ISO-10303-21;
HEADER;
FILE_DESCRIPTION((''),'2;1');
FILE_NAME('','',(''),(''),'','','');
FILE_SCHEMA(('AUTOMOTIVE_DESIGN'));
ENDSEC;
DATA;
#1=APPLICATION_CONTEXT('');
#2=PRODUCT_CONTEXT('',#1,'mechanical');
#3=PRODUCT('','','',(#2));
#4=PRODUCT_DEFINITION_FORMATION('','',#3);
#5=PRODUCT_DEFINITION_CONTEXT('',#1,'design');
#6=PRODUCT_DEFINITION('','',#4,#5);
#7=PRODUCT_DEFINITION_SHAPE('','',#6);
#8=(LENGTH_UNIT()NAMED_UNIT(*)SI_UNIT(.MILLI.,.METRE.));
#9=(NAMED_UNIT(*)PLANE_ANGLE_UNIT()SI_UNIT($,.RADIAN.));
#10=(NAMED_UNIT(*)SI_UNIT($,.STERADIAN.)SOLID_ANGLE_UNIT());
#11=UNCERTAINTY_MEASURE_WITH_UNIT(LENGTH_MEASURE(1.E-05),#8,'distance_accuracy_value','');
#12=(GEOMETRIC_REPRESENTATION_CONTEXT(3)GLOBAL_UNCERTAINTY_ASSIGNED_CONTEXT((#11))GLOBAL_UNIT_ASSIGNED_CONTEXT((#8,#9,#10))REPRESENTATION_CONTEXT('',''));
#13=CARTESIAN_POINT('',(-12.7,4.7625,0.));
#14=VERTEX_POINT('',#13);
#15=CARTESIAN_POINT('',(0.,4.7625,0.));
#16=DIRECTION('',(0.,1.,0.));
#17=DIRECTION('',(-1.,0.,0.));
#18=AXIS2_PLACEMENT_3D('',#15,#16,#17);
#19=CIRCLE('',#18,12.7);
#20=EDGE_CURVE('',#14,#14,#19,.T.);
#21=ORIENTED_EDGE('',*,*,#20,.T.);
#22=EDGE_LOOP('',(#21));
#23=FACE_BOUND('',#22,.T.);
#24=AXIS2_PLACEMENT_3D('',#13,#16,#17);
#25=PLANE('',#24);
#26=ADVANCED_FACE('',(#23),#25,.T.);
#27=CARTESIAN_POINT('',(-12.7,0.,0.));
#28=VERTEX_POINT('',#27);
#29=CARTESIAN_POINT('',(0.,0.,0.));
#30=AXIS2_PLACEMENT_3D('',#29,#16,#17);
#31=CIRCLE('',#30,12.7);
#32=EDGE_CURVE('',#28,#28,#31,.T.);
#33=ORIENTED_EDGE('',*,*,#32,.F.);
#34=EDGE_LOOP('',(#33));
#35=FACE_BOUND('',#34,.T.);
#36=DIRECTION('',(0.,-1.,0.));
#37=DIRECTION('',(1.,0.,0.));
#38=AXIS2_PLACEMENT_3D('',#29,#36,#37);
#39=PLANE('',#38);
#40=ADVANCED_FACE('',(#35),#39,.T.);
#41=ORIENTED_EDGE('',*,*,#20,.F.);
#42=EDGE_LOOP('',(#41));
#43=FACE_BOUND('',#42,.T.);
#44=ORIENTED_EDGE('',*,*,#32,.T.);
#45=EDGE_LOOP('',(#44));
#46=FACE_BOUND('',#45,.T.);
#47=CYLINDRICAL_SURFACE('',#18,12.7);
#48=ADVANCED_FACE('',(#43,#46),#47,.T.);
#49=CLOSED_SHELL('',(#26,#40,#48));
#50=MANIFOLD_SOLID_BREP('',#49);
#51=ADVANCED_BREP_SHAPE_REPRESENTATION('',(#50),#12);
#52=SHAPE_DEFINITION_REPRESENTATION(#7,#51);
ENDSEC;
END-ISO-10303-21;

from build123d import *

# Parameters (mm, degrees)
SKETCH1_W = 12.7
SKETCH1_H = 4.7625


with BuildPart() as part:
    # Sketch1 → Revolve1 (revolve)
    with BuildSketch(Plane.XY):
        with Locations((-6.35, 2.38125)):
            Rectangle(SKETCH1_W, SKETCH1_H)
    revolve(axis=Axis((0, 4.7625, 0), (0, -1, 0)))


solid = part.part
